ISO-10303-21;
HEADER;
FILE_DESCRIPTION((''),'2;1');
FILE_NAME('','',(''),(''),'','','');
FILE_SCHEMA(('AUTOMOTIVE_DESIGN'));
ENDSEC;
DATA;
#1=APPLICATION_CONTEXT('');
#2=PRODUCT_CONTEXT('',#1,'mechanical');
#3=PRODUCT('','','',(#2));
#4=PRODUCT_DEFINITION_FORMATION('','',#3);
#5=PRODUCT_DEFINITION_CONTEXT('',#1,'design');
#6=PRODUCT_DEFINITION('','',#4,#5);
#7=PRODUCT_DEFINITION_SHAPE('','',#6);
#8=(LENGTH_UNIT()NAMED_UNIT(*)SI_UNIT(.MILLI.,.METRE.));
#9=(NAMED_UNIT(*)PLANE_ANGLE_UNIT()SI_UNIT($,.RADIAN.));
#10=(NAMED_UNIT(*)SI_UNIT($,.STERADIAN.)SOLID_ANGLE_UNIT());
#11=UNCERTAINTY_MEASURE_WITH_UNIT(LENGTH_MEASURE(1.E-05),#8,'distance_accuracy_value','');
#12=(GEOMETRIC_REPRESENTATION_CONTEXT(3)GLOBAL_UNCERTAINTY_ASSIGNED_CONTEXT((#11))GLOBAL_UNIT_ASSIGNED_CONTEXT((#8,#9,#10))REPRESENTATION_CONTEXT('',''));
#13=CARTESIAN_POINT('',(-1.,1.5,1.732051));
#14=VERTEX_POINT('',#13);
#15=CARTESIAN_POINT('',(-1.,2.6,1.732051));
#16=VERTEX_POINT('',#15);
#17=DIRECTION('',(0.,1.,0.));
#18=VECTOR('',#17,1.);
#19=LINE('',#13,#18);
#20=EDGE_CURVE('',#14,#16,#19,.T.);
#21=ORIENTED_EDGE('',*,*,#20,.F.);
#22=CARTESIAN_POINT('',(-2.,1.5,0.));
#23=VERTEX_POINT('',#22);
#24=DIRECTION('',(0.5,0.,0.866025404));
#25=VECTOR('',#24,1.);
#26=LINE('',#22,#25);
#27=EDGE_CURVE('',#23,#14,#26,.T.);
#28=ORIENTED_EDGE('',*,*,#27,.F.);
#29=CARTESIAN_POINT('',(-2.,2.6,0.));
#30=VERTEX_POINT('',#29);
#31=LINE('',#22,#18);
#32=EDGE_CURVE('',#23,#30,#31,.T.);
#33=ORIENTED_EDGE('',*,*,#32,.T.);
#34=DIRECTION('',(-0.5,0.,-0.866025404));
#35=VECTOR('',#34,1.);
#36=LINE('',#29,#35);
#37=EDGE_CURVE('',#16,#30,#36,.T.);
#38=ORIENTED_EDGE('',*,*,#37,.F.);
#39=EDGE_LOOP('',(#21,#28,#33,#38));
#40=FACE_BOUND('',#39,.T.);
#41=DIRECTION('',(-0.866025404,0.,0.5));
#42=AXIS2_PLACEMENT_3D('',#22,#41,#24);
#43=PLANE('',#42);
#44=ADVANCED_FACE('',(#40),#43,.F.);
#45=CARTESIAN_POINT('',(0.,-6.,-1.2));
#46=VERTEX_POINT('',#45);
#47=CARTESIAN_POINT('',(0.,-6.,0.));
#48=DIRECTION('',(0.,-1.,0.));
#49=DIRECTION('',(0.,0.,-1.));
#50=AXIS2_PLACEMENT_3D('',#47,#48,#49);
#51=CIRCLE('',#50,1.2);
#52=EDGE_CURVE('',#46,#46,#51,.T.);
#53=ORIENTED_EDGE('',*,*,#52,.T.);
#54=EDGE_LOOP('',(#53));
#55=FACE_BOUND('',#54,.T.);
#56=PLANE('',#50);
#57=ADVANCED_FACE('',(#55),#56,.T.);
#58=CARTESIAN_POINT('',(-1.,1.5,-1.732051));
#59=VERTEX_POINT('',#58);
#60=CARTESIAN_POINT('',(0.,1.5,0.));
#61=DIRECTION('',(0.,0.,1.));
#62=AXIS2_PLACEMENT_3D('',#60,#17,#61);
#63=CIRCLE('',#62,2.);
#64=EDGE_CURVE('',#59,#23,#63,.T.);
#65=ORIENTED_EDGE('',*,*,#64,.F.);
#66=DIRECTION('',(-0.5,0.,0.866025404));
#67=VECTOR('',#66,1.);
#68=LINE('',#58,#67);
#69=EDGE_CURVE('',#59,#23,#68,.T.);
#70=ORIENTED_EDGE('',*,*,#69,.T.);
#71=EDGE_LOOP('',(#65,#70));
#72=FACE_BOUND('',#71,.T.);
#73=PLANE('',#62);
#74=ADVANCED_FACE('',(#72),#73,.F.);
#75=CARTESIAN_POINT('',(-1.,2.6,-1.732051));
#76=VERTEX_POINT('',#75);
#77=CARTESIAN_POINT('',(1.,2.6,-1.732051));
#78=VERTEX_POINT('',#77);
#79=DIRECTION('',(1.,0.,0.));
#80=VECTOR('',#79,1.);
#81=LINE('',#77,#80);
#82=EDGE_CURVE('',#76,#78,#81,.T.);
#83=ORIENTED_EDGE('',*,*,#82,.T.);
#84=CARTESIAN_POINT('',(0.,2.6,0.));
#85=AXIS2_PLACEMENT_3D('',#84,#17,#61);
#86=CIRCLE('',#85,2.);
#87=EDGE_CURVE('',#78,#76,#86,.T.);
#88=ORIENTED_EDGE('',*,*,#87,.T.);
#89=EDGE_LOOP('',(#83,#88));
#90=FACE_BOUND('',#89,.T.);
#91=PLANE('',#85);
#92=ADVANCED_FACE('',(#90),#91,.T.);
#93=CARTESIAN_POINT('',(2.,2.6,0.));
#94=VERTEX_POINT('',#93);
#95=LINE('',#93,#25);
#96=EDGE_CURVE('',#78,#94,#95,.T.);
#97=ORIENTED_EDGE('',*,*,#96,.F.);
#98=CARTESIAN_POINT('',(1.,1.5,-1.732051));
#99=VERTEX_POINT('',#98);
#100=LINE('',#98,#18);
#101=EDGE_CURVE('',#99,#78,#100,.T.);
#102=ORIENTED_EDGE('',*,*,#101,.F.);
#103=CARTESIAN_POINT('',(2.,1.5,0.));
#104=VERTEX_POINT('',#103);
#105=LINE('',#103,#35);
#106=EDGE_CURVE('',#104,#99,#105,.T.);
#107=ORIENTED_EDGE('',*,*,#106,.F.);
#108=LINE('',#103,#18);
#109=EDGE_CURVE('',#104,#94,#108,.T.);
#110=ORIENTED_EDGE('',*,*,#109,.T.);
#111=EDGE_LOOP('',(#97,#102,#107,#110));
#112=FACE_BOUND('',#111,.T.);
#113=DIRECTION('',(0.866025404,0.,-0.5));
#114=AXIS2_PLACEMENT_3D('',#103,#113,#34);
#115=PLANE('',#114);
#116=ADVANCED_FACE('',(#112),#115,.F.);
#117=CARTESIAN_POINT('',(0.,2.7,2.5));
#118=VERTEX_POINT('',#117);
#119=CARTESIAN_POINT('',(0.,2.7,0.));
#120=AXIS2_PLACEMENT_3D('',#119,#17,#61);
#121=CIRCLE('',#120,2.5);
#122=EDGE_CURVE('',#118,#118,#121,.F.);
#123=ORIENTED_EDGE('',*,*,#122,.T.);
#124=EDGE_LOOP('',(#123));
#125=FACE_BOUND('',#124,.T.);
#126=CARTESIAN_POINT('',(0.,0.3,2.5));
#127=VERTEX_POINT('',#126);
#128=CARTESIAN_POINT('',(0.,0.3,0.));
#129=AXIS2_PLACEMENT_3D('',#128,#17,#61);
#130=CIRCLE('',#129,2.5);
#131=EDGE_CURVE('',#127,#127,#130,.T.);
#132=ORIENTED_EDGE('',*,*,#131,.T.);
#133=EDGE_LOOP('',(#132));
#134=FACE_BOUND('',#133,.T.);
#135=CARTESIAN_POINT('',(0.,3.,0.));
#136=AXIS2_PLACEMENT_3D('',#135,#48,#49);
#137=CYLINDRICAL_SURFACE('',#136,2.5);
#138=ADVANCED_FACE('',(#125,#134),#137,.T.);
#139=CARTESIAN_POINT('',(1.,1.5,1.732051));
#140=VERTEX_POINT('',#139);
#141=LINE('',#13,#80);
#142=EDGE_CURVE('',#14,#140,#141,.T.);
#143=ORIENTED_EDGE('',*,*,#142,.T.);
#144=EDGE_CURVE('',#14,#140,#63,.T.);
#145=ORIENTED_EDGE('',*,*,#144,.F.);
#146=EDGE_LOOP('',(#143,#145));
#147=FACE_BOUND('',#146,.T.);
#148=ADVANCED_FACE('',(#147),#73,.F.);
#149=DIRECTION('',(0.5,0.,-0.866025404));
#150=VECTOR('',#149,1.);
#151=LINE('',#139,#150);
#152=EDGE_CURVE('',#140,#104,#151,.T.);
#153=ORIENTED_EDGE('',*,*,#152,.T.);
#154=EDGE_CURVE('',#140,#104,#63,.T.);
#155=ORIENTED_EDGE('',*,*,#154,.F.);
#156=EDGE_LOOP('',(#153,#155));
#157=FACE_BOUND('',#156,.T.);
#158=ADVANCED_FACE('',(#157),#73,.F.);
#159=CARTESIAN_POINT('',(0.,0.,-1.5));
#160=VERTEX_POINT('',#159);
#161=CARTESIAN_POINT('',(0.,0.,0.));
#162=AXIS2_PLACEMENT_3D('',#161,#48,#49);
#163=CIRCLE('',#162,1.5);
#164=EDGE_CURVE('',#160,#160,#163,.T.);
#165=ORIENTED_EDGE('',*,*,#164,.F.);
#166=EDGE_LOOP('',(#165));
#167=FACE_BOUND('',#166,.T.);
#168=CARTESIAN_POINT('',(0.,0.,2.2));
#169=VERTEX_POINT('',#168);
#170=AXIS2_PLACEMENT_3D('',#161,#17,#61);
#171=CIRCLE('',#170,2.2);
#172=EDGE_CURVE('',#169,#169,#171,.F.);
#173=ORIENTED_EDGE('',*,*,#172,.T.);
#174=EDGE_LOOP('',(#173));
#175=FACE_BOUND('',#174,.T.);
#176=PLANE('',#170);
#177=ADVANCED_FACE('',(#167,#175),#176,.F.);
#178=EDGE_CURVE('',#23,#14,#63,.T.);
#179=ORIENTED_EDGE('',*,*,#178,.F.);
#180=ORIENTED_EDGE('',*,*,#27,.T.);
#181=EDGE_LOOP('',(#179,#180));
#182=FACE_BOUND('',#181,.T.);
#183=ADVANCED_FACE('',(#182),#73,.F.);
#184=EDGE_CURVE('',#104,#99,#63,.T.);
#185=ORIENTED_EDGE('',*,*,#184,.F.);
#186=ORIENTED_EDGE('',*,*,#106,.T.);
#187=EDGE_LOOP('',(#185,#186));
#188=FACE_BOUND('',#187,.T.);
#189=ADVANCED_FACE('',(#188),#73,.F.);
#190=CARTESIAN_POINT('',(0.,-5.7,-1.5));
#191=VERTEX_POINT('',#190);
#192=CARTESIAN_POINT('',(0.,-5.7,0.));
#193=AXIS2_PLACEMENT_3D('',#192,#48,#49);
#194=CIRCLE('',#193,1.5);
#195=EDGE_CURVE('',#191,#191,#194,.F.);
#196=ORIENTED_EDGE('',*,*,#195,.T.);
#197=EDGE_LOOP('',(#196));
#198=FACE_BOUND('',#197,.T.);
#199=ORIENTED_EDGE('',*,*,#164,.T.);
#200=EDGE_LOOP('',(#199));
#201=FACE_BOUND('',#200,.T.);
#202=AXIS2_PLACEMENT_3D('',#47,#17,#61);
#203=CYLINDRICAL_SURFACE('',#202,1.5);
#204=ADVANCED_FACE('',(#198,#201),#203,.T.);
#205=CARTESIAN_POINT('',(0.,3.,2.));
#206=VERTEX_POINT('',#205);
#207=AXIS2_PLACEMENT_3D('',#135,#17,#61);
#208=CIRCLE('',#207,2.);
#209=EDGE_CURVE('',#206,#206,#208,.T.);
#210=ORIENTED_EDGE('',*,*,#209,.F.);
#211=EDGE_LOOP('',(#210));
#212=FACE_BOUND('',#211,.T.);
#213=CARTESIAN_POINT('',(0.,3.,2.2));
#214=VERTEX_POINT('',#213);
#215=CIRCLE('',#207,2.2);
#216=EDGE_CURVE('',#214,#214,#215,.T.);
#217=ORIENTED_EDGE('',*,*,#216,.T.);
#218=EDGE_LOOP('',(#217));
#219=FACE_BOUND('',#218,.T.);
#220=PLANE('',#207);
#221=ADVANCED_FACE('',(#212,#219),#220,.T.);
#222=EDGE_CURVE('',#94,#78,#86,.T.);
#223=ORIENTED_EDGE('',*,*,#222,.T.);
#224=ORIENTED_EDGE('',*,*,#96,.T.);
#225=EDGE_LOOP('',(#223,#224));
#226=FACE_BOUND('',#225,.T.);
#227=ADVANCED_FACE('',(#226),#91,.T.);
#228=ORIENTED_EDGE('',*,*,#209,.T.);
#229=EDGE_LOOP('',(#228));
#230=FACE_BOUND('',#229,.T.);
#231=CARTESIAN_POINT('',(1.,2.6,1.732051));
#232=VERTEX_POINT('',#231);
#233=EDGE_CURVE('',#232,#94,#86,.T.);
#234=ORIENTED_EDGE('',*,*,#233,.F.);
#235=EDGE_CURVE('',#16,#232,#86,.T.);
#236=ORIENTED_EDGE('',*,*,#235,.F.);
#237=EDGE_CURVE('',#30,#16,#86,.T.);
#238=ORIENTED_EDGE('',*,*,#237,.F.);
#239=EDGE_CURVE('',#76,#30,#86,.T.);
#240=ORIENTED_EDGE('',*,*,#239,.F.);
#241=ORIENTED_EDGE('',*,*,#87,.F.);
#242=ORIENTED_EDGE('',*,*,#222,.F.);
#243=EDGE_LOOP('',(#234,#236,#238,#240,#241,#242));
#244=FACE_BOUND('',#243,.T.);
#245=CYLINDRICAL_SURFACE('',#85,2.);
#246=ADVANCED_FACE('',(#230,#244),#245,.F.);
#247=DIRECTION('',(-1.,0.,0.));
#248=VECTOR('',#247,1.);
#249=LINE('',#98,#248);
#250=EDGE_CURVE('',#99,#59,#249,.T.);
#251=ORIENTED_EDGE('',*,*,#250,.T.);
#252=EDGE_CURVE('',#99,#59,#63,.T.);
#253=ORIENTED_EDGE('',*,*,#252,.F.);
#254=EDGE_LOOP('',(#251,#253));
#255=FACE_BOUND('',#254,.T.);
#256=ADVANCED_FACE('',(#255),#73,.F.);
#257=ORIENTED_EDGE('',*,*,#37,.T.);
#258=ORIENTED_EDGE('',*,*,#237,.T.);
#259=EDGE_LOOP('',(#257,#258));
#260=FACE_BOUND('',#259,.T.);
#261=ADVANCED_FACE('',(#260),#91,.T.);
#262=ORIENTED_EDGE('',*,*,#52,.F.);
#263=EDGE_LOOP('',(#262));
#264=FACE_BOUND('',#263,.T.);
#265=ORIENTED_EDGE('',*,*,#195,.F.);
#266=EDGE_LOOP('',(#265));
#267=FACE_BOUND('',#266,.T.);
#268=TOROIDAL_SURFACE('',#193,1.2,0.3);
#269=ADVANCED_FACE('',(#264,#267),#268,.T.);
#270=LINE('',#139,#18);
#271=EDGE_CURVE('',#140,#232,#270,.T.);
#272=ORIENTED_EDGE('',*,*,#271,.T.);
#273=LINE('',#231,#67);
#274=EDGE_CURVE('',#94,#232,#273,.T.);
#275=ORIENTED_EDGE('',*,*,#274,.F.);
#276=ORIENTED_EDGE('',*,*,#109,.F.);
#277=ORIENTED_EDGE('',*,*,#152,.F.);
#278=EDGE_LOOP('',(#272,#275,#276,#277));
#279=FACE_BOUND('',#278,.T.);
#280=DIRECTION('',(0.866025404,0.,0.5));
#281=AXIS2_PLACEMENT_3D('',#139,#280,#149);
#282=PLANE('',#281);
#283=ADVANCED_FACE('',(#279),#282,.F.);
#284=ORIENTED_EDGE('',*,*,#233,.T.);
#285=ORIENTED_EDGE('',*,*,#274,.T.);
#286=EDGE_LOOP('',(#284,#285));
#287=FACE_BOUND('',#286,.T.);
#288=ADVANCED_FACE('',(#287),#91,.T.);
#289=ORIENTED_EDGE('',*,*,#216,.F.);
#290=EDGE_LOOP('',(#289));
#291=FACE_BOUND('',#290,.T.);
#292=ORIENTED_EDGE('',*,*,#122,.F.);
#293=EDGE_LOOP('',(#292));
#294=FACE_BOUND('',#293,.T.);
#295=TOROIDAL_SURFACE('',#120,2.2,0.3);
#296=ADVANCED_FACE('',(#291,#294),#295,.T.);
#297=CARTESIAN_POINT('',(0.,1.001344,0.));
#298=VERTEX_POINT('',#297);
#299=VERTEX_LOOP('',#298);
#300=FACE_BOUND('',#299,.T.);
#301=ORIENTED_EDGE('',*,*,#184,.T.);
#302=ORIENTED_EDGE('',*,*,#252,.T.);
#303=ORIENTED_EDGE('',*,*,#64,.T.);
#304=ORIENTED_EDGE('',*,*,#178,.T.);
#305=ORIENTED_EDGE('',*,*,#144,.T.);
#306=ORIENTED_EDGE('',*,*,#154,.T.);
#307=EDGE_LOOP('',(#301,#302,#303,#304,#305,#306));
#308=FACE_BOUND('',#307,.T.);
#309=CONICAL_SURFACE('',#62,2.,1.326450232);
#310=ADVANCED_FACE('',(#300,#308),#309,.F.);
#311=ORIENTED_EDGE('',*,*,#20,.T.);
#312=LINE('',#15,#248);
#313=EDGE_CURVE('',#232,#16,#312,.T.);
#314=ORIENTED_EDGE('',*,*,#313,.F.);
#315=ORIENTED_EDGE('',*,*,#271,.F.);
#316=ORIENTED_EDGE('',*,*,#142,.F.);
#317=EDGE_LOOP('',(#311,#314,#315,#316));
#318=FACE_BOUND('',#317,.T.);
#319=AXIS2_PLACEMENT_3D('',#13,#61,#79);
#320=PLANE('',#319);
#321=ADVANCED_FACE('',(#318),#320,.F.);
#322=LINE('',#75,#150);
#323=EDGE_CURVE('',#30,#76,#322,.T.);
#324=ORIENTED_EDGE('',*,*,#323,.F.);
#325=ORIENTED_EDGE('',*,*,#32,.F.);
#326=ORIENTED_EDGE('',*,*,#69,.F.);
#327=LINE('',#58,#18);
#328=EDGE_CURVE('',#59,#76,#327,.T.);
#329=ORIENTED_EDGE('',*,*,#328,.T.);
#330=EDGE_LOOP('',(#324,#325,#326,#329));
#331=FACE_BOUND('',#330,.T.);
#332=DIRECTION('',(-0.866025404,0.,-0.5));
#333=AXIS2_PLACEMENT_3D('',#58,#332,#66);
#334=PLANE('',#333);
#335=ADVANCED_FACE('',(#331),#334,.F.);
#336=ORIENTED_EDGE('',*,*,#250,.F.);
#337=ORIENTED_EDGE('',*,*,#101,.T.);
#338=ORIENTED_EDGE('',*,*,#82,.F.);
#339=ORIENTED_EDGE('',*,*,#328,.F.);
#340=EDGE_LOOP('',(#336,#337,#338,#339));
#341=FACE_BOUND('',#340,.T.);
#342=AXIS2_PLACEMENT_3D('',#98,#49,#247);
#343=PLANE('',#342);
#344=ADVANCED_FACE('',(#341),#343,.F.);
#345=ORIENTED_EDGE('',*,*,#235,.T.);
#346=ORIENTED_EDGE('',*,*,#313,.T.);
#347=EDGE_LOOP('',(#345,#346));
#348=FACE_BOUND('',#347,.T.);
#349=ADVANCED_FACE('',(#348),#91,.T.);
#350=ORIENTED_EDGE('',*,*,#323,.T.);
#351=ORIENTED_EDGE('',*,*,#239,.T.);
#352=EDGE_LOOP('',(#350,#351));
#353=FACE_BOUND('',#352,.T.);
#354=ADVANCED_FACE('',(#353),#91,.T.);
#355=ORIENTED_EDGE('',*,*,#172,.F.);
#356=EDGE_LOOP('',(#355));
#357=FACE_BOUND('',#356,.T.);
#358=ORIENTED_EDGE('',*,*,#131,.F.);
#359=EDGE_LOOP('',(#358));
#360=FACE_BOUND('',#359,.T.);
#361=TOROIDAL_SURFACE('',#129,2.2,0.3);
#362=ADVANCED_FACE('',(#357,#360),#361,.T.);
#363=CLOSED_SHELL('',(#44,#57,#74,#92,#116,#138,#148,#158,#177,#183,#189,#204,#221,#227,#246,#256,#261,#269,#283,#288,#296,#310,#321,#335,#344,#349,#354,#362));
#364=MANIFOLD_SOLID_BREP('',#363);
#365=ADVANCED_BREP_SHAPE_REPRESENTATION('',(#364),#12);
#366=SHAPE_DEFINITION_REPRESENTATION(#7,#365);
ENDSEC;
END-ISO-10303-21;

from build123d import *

# Parameters (mm, degrees)
SKETCH1_R           = 2.5
BOSS_EXTRUDE1_DEPTH = 3
CUT_EXTRUDE1_DEPTH  = 1.5
CUT_EXTRUDE2_START  = 1.5
SKETCH5_R           = 2
CUT_EXTRUDE2_DEPTH  = 0.4
SKETCH7_R           = 1.5
BOSS_EXTRUDE2_DEPTH = 6
FILLET1_R           = 0.3
FILLET2_R           = 0.3


with BuildPart() as part:
    # Sketch1 → Boss-Extrude1 (new body)
    with BuildSketch(Plane(origin=(0, 0, 0), x_dir=(1, 0, 0), z_dir=(0, 1, 0))):
        with Locations(Location((0, 0, 0), (0, 0, 270))):
            Circle(SKETCH1_R)
    extrude(amount=BOSS_EXTRUDE1_DEPTH)

    # Sketch2 → Cut-Extrude1 (cut)
    with BuildSketch(Plane(origin=(0, 3, 0), x_dir=(1, 0, 0), z_dir=(0, 1, 0))):
        Polygon((2, 0), (1, 1.732050808), (-1, 1.732050808), (-2, 0), (-1, -1.732050808), (1, -1.732050808), align=None)
    extrude(amount=-CUT_EXTRUDE1_DEPTH, mode=Mode.SUBTRACT)

    # Sketch5 → Cut-Extrude2 (cut)
    with BuildSketch(Plane(origin=(0, 1.5, 0), x_dir=(1, 0, 0), z_dir=(0, 1, 0)).offset(CUT_EXTRUDE2_START)):
        with Locations(Location((0, 0, 0), (0, 0, 270))):
            Circle(SKETCH5_R)
    extrude(amount=-CUT_EXTRUDE2_DEPTH, mode=Mode.SUBTRACT)

    # Cut-Extrude3 cone 1 section (through the dimple's axis) → Cut-Extrude3 (revolve, cut)
    with BuildSketch(Plane(origin=(0, 1.5, 0), x_dir=(0, 0, 1), z_dir=(1, 0, 0))):
        Polygon((0, 0), (2, 0), (0, 0.498656006), align=None)
    revolve(axis=Axis((0, 1.5, 0), (0, -1, 0)), mode=Mode.SUBTRACT)

    # Sketch7 → Boss-Extrude2 (add)
    with BuildSketch(Plane.XZ):
        with Locations(Location((0, 0, 0), (0, 0, 270))):
            Circle(SKETCH7_R)
    extrude(amount=BOSS_EXTRUDE2_DEPTH)

    # Fillet1
    fillet1_edges = [part.edges().sort_by_distance(p)[0] for p in [
        (0, 0, -2.5),
        (0, 3, -2.5),
    ]]
    fillet(fillet1_edges, radius=FILLET1_R)

    # Fillet2
    fillet2_edges = [part.edges().sort_by_distance(p)[0] for p in [
        (0, -6, 1.5),
    ]]
    fillet(fillet2_edges, radius=FILLET2_R)


solid = part.part
